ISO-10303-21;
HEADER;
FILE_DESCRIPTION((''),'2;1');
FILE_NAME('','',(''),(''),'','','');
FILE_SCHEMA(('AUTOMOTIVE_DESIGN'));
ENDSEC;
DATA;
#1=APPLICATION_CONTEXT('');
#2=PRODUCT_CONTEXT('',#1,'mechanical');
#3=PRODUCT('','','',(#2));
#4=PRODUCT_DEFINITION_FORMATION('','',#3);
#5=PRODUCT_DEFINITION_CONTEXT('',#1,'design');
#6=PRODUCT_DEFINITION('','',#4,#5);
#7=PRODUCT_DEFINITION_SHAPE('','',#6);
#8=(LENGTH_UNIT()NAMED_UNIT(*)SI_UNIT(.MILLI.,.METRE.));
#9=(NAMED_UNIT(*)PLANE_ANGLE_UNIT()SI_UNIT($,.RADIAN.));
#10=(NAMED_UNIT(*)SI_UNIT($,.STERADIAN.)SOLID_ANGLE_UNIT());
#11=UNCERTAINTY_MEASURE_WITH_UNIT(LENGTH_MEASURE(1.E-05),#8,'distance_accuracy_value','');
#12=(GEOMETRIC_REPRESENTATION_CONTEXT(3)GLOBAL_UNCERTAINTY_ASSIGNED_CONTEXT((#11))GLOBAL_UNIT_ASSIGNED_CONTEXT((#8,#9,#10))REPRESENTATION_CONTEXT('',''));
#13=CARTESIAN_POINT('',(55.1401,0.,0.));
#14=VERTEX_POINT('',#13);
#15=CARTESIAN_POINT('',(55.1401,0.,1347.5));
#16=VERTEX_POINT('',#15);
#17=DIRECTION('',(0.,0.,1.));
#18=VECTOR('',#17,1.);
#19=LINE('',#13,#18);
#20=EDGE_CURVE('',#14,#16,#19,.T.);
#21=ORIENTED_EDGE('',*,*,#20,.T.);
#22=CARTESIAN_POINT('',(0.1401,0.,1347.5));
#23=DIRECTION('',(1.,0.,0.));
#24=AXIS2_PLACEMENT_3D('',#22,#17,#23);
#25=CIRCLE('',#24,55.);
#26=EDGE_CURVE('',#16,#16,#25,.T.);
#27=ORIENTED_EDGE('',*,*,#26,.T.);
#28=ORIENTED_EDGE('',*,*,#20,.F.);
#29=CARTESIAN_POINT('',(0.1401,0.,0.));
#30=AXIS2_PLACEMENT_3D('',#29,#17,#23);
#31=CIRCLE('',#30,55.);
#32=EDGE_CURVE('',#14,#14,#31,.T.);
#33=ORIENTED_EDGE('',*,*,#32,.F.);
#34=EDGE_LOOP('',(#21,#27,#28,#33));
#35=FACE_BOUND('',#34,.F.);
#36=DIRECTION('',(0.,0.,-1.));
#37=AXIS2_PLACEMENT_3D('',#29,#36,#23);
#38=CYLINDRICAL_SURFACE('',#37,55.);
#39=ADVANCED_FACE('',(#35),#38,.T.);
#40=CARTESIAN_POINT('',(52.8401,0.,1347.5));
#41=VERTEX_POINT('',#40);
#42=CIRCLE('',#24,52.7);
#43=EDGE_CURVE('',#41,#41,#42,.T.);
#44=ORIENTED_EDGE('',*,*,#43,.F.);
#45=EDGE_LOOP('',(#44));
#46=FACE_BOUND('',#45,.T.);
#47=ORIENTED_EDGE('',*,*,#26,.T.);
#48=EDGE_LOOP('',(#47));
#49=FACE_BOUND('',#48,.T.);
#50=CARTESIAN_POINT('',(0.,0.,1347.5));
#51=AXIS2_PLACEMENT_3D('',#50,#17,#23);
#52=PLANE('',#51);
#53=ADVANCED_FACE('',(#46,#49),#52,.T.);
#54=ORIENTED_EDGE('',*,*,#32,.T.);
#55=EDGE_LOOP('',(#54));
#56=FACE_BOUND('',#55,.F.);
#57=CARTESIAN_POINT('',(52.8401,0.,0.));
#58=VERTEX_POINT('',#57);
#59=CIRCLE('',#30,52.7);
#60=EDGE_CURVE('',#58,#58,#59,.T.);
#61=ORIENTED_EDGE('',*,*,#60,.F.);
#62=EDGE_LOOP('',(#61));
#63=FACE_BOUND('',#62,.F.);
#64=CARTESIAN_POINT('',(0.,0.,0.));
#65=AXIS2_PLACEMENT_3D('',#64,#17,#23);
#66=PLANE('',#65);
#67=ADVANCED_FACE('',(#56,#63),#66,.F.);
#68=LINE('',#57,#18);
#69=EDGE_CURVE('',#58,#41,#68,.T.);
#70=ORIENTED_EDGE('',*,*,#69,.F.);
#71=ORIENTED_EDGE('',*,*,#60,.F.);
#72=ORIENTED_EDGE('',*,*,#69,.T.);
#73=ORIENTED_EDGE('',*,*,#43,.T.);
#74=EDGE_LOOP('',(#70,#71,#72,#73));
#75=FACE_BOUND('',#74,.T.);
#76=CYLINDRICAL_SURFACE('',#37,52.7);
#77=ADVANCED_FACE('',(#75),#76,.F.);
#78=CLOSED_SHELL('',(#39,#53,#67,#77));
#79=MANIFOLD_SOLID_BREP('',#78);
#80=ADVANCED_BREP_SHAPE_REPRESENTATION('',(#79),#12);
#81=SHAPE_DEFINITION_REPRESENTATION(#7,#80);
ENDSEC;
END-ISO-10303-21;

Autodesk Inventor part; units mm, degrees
ref_plane "YZ Plane" through (0, 0, 0) normal (1, 0, 0) x (0, 1, 0)
ref_plane "XZ Plane" through (0, 0, 0) normal (0, 1, 0) x (-1, 0, 0)
ref_plane "XY Plane" through (0, 0, 0) normal (0, 0, 1) x (1, 0, 0)
sketch "Sketch1" plane through (0, 0, 0) normal (0, 0, 1) x (1, 0, 0)
  circle A0 centre (0.1401, 0) radius 55
  circle A1 centre (0.1401, 0) radius 52.7
  point P0 (0, 0)
  dimension "d1" = 2.3
  dimension "d2" = 110
extrude "Extrusion1" add sketch "Sketch1" along normal blind 1347.5
properties part number "pipe_6in_0.5m"
